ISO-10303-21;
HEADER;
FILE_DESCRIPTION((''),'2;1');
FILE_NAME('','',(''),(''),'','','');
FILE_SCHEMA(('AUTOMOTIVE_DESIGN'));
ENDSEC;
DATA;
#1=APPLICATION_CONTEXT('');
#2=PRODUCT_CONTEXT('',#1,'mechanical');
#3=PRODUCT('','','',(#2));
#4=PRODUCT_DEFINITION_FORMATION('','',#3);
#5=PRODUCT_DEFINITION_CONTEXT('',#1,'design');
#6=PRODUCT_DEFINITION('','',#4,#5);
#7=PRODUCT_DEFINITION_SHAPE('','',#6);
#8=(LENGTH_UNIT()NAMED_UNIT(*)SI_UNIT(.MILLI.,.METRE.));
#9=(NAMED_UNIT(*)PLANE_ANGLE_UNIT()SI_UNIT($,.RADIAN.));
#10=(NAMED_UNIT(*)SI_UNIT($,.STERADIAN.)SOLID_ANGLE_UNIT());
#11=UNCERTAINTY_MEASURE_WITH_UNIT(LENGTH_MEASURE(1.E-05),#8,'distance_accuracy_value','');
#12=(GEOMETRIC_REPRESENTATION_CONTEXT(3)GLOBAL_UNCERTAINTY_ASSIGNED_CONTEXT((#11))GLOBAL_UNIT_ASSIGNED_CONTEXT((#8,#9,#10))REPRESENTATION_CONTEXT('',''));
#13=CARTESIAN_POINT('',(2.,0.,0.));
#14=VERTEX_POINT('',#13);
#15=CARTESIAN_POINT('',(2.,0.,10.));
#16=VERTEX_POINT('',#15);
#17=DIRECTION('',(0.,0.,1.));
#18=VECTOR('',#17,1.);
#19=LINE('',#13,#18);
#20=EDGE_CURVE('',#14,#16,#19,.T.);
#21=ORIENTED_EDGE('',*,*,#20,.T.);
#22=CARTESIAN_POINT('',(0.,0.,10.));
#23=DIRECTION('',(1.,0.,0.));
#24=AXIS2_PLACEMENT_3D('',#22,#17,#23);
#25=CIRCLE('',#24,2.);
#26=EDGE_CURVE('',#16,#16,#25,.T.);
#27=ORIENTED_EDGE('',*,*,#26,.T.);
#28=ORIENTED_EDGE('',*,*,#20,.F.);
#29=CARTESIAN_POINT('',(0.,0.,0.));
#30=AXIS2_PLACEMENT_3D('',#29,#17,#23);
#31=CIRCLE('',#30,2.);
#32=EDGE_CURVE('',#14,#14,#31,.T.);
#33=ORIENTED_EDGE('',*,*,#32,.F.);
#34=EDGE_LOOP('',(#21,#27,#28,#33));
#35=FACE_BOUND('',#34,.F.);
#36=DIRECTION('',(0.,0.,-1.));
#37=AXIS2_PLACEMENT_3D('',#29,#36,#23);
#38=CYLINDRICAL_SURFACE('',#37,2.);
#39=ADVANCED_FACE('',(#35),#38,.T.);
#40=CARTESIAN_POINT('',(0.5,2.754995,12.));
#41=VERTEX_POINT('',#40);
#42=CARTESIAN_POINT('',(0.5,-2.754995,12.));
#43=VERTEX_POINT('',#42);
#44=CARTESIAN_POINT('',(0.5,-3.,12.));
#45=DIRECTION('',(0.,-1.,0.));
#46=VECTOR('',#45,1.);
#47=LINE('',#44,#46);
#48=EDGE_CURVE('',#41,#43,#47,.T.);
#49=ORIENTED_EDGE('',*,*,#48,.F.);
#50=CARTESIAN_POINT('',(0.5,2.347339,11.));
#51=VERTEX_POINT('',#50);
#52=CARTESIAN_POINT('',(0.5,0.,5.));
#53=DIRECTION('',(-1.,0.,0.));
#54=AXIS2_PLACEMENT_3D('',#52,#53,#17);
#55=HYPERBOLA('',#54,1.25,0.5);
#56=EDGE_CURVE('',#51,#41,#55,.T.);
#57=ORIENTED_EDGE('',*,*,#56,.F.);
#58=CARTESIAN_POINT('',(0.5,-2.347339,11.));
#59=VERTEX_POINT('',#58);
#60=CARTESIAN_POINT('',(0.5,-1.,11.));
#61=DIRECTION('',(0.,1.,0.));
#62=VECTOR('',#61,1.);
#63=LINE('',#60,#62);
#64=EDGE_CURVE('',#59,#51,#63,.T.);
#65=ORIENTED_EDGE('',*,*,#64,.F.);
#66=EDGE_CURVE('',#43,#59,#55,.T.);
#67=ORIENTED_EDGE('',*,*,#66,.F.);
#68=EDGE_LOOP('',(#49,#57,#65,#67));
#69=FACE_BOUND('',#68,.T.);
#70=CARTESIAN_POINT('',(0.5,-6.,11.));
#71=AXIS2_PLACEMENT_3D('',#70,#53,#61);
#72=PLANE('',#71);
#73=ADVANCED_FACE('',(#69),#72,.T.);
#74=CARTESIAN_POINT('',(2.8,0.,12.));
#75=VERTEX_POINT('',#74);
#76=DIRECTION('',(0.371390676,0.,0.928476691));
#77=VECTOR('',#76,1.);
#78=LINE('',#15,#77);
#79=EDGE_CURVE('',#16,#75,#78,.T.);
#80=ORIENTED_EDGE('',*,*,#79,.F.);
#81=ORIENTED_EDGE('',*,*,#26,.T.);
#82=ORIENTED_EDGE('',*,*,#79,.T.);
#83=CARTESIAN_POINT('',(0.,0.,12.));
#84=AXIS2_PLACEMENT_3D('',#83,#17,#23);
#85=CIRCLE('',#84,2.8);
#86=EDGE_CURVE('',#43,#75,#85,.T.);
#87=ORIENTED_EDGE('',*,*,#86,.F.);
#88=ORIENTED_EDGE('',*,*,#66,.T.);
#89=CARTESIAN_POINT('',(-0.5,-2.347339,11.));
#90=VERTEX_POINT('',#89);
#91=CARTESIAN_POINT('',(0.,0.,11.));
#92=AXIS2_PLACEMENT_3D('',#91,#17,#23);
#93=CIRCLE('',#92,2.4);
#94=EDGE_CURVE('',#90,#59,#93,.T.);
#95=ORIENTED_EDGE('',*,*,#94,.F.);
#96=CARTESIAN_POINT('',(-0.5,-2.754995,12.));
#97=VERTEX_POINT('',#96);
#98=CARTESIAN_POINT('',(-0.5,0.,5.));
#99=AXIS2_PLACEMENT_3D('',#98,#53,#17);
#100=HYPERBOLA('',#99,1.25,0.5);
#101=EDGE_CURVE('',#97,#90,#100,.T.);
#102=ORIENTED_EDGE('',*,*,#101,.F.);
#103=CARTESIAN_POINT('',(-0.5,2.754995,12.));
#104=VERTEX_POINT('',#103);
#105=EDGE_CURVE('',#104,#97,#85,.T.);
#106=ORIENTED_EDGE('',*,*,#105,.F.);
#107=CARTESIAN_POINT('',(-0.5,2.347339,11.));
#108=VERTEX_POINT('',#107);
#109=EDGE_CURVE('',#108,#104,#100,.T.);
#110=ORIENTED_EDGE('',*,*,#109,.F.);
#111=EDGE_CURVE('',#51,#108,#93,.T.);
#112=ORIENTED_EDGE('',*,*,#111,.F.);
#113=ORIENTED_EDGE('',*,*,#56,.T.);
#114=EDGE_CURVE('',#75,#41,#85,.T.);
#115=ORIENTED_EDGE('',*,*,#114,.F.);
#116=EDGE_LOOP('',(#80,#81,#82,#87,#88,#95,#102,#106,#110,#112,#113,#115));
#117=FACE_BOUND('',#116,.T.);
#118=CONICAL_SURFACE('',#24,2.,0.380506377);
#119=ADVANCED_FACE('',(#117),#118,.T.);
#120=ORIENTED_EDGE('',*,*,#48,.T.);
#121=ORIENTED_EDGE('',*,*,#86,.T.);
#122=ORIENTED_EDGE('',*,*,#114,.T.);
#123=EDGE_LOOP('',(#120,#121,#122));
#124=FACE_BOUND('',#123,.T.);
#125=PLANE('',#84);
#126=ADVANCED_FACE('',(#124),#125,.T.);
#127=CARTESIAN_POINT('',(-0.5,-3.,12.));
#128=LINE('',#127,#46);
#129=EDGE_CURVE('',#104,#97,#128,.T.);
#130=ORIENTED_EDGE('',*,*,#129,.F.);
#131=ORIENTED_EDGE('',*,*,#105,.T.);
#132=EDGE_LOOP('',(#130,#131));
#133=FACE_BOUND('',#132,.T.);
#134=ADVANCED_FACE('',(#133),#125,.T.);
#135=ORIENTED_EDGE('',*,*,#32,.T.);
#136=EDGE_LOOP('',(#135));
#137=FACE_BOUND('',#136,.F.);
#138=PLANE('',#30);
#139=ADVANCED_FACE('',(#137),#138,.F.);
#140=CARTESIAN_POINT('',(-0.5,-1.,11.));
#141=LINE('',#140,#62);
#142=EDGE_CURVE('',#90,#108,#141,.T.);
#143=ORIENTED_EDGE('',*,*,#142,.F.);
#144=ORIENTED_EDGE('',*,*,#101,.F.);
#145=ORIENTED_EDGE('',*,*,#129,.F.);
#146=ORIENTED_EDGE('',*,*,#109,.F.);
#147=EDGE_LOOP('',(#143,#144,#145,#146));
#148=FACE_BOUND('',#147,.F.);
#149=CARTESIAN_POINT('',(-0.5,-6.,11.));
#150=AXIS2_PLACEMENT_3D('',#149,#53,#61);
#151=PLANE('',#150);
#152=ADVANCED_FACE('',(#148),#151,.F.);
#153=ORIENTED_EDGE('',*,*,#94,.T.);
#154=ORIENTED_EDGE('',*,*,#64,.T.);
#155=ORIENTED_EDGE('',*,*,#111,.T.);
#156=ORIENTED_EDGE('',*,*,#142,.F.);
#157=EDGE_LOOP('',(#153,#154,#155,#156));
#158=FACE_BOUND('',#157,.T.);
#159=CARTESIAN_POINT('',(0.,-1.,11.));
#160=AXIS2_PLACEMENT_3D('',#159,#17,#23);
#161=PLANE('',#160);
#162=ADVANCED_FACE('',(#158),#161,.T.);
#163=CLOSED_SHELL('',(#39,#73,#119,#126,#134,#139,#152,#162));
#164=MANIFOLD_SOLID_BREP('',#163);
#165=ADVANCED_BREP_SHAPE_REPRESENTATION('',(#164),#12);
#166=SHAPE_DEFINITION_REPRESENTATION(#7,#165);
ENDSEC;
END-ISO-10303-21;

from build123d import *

# Parameters (mm, degrees)
BOX_W          = 1
BOX_H          = 10
BOX_DEPTH      = 4
CYLINDER_R     = 2
CYLINDER_DEPTH = 10


with BuildPart() as cub:
    # Box → Box (new body)
    with BuildSketch(Plane(origin=(-0.5, -6, 11), x_dir=(1, 0, 0), z_dir=(0, 0, 1))):
        with Locations((0.5, 5)):
            Rectangle(BOX_W, BOX_H)
    extrude(amount=BOX_DEPTH)


with BuildPart() as cilindre:
    # Cylinder → Cylinder (new body)
    with BuildSketch(Plane.XY):
        Circle(CYLINDER_R)
    extrude(amount=CYLINDER_DEPTH)


with BuildPart() as cut:
    # Cone → Cone (revolve)
    with BuildSketch(Plane(origin=(0, 0, 10), x_dir=(1, 0, 0), z_dir=(0, -1, 0))):
        Polygon((0, 0), (2, 0), (2.8, 2), (0, 2), align=None)
    revolve(axis=Axis((0, 0, 10), (0, 0, 1)))

    # Fusion: union Cilindre
    add(cilindre.part)

    # Cut: cut Cub
    add(cub.part, mode=Mode.SUBTRACT)


solid = cut.part
